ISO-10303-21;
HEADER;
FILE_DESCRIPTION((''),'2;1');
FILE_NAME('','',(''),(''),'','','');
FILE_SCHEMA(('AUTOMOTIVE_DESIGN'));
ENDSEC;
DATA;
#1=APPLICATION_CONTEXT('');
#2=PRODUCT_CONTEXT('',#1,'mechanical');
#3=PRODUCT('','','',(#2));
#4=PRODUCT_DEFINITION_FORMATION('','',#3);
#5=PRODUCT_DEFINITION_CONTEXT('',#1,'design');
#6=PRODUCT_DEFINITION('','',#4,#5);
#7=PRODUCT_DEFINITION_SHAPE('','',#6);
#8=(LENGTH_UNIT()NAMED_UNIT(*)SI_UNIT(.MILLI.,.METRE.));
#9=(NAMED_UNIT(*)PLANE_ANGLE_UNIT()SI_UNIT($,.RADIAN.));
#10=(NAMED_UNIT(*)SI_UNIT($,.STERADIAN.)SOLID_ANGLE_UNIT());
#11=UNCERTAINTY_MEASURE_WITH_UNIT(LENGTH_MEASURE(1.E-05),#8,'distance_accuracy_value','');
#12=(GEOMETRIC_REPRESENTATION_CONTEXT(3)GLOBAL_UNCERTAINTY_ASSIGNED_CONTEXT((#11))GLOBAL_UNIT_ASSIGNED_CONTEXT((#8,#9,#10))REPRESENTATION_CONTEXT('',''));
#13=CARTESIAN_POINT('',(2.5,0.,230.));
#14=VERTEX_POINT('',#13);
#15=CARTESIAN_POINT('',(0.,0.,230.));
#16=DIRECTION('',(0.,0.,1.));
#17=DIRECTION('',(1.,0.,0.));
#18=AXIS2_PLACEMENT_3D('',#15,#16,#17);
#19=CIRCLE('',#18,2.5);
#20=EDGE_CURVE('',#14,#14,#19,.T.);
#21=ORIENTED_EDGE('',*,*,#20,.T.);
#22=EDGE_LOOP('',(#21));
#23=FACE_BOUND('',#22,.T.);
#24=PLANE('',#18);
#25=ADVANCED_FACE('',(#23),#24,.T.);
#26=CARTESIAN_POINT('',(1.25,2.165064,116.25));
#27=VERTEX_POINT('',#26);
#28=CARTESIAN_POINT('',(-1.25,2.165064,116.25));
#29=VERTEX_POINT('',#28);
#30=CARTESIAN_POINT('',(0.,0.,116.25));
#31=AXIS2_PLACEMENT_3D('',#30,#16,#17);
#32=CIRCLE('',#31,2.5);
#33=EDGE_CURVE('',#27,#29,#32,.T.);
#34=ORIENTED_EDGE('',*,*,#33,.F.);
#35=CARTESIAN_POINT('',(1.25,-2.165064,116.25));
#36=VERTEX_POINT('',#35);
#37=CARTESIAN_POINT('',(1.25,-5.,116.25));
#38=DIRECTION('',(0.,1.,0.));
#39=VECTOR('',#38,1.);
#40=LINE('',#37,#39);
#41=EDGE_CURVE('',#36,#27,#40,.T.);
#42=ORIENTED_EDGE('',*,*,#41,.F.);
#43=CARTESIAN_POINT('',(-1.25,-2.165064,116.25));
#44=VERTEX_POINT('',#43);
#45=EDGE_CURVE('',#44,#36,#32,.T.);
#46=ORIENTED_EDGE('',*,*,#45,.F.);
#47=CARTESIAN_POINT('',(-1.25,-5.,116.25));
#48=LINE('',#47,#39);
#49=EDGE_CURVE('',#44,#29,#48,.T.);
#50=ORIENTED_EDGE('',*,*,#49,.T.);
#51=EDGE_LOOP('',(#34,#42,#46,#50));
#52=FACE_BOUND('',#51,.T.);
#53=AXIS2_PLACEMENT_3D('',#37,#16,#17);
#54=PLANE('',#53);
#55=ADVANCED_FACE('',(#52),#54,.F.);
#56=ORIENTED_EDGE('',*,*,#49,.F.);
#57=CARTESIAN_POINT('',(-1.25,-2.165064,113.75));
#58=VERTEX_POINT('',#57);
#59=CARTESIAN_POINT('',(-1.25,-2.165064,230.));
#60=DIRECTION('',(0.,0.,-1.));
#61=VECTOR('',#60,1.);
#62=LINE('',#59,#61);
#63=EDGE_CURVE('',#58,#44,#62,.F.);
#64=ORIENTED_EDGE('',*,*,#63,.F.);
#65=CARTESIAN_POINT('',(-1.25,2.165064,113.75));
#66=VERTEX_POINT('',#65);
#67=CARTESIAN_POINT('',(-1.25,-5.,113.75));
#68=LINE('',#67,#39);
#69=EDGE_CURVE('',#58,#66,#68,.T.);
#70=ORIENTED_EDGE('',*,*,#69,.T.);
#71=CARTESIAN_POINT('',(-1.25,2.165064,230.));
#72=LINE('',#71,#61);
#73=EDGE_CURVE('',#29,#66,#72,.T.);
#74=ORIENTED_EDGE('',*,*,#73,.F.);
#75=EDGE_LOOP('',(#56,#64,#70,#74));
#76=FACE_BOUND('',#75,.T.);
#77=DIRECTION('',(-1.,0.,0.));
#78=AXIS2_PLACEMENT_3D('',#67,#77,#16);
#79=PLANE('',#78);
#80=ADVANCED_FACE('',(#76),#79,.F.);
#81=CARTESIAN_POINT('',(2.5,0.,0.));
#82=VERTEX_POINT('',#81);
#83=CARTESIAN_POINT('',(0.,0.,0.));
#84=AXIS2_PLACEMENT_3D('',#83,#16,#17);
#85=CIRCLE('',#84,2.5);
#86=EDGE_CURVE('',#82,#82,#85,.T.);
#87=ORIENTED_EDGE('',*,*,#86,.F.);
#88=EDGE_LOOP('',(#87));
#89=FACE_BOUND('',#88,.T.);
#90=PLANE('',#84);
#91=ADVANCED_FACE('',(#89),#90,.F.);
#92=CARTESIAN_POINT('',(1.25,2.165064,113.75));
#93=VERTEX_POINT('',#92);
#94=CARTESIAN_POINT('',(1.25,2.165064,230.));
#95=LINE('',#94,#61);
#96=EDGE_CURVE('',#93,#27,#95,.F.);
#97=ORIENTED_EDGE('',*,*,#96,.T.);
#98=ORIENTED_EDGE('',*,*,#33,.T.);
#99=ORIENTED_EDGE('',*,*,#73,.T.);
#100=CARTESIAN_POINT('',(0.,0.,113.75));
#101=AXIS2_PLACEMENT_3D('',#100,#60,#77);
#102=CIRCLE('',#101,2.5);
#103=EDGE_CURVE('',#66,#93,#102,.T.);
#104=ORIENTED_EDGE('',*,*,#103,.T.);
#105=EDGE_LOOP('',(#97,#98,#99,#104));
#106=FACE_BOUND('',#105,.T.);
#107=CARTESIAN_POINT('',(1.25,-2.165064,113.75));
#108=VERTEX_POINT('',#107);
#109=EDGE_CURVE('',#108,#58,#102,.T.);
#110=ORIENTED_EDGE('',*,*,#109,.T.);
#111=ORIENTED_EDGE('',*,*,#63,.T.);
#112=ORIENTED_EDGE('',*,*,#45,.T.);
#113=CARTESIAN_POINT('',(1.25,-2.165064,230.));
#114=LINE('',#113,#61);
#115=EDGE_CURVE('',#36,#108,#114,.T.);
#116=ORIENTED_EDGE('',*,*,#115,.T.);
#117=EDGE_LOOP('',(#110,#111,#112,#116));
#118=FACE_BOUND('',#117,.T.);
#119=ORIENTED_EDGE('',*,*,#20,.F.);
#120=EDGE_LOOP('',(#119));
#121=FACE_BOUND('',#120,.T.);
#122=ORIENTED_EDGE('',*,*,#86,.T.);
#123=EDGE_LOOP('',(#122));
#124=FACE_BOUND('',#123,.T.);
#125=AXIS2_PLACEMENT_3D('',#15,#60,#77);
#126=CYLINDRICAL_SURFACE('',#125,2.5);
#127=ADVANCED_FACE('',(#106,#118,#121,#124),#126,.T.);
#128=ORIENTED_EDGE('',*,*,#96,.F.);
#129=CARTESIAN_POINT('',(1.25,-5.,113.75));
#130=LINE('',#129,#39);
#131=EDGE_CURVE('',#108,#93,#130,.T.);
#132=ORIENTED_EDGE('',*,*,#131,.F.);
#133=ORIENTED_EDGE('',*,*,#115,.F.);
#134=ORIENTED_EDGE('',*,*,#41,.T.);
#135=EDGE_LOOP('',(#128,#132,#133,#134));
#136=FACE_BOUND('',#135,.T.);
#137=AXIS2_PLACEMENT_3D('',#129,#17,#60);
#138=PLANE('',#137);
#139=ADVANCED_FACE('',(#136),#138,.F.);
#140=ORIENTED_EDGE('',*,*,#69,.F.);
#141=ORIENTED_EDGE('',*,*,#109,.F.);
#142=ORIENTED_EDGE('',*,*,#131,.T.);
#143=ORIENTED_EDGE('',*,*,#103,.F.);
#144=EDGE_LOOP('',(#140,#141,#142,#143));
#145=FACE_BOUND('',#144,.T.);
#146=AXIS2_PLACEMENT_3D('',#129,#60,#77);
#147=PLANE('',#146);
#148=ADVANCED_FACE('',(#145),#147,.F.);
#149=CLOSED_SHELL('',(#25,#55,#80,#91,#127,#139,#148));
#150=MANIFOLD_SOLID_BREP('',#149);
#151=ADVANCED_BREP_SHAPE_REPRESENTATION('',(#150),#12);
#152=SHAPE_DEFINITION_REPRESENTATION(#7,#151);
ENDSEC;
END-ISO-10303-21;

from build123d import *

# Parameters (mm, degrees)
CROQUIS1_R              = 2.5
SALIENTE_EXTRUIR1_DEPTH = 230
CROQUIS2_W              = 2.5
CROQUIS2_H              = 2.5
CORTAR_EXTRUIR1_DEPTH   = 5


with BuildPart() as part:
    # Croquis1 → Saliente-Extruir1 (new body)
    with BuildSketch(Plane.XY):
        Circle(CROQUIS1_R)
    extrude(amount=SALIENTE_EXTRUIR1_DEPTH)

    # Croquis2 → Cortar-Extruir1 (cut, symmetric)
    with BuildSketch(Plane(origin=(0, 0, 0), x_dir=(1, 0, 0), z_dir=(0, 1, 0))):
        with Locations((0, -115)):
            Rectangle(CROQUIS2_W, CROQUIS2_H)
    extrude(amount=CORTAR_EXTRUIR1_DEPTH, both=True, mode=Mode.SUBTRACT)


solid = part.part
